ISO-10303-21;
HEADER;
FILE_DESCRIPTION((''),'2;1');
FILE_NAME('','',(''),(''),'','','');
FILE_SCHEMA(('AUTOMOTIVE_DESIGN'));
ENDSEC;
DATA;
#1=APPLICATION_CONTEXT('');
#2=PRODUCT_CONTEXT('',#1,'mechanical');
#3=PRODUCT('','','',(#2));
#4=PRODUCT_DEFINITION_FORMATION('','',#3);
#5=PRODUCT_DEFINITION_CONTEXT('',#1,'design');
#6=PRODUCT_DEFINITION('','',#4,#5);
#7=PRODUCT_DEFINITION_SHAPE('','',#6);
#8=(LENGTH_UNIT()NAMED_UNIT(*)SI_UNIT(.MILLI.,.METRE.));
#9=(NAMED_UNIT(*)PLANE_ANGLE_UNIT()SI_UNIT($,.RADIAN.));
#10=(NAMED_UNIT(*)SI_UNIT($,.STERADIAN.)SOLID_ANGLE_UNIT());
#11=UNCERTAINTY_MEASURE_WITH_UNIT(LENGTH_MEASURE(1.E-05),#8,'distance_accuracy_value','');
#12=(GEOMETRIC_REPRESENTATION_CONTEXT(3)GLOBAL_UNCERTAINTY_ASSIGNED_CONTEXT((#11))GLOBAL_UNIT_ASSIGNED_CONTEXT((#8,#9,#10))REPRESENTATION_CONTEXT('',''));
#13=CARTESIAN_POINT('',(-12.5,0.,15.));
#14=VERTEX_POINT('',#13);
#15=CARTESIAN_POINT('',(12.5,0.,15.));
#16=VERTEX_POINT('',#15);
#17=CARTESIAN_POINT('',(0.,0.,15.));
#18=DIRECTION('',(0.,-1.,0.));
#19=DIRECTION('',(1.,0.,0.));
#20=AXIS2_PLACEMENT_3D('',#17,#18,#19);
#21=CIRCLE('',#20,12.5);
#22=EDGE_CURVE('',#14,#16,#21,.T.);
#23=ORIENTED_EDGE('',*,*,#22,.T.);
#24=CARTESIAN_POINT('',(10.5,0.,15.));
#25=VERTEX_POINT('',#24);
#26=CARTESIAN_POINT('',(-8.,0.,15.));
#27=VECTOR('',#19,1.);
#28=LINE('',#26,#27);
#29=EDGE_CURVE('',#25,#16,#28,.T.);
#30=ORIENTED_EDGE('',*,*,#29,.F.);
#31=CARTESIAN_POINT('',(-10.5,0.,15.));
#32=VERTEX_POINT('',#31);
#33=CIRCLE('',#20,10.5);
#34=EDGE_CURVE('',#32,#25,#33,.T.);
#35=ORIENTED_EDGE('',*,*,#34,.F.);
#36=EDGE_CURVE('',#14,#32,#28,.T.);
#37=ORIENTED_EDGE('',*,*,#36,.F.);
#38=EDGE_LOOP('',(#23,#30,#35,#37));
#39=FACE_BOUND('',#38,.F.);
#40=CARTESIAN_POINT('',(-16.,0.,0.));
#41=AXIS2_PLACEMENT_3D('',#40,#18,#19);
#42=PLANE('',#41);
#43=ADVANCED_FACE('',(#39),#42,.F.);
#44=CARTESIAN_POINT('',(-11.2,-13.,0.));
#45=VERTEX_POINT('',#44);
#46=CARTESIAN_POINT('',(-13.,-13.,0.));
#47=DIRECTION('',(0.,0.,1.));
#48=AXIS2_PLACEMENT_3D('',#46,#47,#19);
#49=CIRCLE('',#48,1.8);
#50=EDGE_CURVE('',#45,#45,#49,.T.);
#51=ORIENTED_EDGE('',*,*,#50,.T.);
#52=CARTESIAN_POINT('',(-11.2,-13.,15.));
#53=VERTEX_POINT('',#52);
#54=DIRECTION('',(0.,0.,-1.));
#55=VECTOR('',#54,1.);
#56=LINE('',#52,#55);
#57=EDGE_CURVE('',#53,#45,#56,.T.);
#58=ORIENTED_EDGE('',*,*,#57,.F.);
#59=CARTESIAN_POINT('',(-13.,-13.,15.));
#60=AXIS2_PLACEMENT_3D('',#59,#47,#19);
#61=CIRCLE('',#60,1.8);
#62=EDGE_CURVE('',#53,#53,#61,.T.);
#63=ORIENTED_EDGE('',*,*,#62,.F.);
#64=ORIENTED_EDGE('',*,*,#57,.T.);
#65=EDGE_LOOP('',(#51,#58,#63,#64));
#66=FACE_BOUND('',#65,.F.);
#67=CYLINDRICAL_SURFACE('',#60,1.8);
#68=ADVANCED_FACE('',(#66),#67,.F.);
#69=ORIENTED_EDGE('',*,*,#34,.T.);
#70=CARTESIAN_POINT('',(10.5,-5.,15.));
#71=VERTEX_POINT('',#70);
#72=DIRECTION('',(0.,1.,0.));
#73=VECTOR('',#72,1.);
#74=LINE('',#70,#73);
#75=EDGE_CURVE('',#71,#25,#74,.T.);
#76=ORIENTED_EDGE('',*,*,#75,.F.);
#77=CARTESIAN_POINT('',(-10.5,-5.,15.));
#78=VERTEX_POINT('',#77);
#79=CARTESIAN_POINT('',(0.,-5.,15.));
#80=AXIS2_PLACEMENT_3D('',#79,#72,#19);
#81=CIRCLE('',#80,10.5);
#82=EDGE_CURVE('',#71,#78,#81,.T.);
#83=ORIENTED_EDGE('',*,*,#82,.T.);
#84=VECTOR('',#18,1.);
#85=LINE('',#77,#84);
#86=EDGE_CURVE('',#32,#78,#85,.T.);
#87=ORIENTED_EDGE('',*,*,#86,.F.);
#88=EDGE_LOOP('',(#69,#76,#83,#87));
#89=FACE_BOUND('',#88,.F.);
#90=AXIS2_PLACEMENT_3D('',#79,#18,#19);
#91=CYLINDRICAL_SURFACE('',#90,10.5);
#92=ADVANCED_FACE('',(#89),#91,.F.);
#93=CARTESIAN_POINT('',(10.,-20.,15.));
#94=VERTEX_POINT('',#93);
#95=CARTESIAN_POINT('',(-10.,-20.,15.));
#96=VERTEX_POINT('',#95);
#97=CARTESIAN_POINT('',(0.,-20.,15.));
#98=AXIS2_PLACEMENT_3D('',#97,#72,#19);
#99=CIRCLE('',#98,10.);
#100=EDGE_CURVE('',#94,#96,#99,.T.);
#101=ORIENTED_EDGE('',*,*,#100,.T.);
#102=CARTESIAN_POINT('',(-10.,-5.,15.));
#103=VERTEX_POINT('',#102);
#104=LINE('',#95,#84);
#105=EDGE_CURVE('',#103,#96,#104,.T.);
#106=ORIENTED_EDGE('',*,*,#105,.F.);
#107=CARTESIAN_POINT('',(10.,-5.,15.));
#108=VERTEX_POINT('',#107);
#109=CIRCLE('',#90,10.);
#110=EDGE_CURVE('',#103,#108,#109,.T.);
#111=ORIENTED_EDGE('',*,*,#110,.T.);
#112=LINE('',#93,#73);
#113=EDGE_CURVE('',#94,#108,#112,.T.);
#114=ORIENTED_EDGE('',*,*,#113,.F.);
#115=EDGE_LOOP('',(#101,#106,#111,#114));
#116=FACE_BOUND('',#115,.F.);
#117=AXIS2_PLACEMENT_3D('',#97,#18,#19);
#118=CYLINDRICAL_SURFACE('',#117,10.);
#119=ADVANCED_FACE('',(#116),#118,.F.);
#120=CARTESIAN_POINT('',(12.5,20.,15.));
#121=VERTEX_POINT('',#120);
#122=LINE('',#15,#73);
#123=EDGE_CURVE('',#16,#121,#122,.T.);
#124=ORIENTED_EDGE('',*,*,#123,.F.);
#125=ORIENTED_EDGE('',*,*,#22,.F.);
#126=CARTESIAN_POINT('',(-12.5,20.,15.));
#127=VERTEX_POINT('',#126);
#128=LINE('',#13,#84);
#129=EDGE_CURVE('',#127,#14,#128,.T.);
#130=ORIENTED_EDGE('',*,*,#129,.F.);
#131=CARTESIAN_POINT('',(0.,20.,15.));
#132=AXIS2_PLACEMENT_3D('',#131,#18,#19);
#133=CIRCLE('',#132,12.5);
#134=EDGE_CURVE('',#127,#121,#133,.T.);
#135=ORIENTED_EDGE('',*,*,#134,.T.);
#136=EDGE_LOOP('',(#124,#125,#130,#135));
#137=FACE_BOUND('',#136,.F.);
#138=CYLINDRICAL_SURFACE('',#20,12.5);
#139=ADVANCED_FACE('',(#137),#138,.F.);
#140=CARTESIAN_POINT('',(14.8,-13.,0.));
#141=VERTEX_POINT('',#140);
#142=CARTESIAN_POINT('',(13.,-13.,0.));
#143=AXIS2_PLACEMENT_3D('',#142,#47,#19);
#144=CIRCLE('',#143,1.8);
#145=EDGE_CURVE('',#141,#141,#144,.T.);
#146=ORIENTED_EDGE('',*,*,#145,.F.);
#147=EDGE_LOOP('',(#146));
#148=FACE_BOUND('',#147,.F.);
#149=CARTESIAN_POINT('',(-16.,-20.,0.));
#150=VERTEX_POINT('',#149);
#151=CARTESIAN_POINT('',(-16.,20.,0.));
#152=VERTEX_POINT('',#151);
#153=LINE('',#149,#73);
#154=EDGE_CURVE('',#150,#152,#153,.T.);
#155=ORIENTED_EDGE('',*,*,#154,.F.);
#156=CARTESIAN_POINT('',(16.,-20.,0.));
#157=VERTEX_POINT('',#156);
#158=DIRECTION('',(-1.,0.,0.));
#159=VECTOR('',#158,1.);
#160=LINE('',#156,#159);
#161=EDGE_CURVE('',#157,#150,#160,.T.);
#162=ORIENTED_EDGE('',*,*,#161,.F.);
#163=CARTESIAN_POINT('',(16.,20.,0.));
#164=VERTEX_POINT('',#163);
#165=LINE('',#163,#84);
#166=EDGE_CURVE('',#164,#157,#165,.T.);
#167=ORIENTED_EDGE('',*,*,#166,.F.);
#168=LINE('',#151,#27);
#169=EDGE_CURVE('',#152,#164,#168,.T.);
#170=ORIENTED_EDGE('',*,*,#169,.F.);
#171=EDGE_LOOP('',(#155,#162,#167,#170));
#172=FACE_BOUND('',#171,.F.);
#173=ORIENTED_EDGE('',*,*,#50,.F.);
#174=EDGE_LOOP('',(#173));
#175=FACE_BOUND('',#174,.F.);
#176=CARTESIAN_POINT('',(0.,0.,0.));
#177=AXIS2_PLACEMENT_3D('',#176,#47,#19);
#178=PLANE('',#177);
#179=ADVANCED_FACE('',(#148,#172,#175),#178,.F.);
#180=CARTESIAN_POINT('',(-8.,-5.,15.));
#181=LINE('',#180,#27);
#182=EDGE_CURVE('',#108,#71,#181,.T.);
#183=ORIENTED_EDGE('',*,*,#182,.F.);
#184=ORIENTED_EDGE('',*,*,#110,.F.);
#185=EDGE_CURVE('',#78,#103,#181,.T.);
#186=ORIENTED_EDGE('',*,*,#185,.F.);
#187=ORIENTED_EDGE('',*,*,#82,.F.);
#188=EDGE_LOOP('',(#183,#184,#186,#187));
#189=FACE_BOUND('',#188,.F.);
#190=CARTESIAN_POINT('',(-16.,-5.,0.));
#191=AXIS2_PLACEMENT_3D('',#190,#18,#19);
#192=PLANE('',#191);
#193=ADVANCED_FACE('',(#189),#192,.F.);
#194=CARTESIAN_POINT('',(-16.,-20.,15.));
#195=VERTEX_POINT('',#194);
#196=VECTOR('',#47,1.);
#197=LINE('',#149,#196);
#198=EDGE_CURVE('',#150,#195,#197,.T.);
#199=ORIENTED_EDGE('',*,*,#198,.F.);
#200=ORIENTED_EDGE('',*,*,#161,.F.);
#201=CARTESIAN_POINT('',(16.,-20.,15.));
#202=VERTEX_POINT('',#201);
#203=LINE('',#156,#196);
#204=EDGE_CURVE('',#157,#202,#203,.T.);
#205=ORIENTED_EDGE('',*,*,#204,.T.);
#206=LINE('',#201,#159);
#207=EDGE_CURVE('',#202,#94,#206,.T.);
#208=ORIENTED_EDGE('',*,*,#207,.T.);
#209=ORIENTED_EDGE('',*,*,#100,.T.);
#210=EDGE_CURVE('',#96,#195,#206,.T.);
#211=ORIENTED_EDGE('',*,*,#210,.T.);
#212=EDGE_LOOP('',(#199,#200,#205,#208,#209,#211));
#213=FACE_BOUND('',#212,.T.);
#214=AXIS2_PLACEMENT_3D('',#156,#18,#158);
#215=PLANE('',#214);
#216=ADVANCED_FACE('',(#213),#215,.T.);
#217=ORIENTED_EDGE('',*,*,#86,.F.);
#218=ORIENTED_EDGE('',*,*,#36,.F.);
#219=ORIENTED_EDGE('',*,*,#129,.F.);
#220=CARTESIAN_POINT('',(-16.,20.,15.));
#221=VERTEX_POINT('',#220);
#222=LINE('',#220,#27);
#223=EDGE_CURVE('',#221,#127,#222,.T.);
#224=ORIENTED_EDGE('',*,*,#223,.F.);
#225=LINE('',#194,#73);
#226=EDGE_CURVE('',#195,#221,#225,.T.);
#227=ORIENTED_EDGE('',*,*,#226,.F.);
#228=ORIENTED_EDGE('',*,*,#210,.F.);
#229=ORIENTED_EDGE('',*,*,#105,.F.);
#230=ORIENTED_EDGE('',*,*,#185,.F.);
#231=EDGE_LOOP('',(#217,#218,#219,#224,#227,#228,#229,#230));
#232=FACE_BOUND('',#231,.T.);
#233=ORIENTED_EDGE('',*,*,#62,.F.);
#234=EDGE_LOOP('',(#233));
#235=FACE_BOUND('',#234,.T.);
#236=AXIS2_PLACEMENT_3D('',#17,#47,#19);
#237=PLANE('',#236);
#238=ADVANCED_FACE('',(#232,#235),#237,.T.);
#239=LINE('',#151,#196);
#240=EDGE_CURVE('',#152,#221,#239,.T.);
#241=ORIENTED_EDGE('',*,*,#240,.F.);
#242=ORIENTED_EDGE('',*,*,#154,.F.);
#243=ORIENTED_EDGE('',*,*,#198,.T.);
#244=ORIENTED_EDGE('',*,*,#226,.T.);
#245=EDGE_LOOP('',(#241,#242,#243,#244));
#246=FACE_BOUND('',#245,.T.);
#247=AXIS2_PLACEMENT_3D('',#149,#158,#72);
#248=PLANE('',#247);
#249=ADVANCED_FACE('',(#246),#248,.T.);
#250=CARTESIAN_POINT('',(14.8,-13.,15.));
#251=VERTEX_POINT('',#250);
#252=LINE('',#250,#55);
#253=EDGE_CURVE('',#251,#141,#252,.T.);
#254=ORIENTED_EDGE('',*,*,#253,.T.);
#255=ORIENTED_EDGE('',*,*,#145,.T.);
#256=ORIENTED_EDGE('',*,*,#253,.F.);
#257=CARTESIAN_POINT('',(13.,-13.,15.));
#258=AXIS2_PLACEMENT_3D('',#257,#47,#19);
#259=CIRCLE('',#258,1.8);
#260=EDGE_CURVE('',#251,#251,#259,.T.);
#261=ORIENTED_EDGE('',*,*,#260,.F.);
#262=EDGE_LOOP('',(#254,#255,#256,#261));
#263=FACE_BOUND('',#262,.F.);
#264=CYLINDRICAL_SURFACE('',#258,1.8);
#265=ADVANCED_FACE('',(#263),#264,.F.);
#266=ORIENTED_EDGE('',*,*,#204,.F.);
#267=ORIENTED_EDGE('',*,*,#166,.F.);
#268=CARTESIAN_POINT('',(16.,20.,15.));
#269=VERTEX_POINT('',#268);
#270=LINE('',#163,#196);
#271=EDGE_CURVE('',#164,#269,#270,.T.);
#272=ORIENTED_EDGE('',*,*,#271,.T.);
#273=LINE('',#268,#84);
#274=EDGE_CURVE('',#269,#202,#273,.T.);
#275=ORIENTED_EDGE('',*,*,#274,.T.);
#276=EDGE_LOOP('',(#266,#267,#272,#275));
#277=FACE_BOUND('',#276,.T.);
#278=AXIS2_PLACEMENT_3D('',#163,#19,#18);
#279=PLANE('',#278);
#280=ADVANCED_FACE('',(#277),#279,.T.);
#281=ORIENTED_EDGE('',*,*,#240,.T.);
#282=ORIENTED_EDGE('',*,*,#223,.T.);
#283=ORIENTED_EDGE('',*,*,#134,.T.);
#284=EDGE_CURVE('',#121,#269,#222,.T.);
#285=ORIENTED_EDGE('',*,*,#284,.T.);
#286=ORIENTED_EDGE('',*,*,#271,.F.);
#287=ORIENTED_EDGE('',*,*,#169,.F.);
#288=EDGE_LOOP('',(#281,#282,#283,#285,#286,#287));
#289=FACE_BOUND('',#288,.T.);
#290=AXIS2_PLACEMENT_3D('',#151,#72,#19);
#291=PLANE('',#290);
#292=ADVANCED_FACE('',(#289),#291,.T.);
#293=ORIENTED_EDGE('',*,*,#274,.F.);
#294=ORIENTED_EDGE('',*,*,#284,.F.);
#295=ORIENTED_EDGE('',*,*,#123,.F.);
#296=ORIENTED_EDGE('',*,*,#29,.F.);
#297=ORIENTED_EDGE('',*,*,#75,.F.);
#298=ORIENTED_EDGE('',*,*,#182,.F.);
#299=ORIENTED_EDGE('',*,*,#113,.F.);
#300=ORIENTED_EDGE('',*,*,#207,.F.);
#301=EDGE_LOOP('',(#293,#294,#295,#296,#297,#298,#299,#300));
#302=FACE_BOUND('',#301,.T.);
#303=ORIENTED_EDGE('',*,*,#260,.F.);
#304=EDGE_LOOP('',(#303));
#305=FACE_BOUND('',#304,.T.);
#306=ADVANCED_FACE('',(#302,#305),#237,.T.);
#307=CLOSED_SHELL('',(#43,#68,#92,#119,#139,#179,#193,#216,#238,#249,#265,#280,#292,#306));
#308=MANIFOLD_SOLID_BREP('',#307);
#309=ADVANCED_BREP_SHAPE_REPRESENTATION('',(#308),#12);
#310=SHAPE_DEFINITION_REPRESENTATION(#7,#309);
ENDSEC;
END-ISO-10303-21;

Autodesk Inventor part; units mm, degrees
ref_plane "YZ Plane" through (0, 0, 0) normal (1, 0, 0) x (0, 1, 0)
ref_plane "XZ Plane" through (0, 0, 0) normal (0, 1, 0) x (-1, 0, 0)
ref_plane "XY Plane" through (0, 0, 0) normal (0, 0, 1) x (1, 0, 0)
sketch "Skizze1" plane through (0, 0, 0) normal (0, 0, 1) x (1, 0, 0)
  line L0 (-16, 20) -> (16, 20)
  line L1 (16, 20) -> (16, -20)
  line L2 (16, -20) -> (-16, -20)
  line L3 (-16, -20) -> (-16, 20)
  line L4 (-16, 20) -> (16, -20) construction
  line L5 (16, 20) -> (-16, -20) construction
  point P0 (0, 0)
  dimension "d0" = 32
  dimension "d1" = 40
extrude "Extrusion1" add sketch "Skizze1" along normal blind 15
sketch "Skizze2" plane through (-16, -20, 0) normal (0, -1, 0) x (1, 0, 0)
  line L0 (0, 15) -> (32, 15) projected
  line L1 (0, 0) -> (0, 15) projected
  line L2 (32, 0) -> (0, 0) projected
  line L3 (32, 0) -> (32, 15) projected
  line L4 (32, 15) -> (0, 15) projected
  circle A0 centre (16, 15) radius 10
  point P0 (16, 0)
  dimension "d4" = 20
extrude "Extrusion2" cut sketch "Skizze2" against normal blind 15 contours A0 L0 | L0 A0
sketch "Skizze3" plane through (-16, -5, 0) normal (0, -1, 0) x (1, 0, 0)
  line L0 (0, 0) -> (0, 15) projected
  line L1 (32, 0) -> (0, 0) projected
  line L2 (32, 0) -> (32, 15) projected
  line L3 (26, 15) -> (32, 15) projected
  line L4 (0, 15) -> (6, 15) projected
  line L5 (6, 15) -> (26, 15) projected
  circle A0 centre (16, 15) radius 10.5
  point P0 (16, 0)
  dimension "d7" = 21
extrude "Extrusion3" cut sketch "Skizze3" against normal blind 5 contours A0 L3 L5 L4 | L4 L5 L3 A0
sketch "Skizze4" plane through (-16, 0, 0) normal (0, -1, 0) x (1, 0, 0)
  line L0 (5.5, 15) -> (26.5, 15) projected
  circle A0 centre (16, 15) radius 12.5
  point P0 (16, 0)
  dimension "d10" = 25
extrude "Extrusion4" cut sketch "Skizze4" against normal through all
sketch "Skizze5" plane through (0, 0, 15) normal (0, 0, 1) x (1, 0, 0)
  line L0 (-16, 20) -> (-16, -20) projected
  line L1 (-16, -20) -> (-10, -20) projected
  line L2 (-10, -20) -> (-10, -5) projected
  line L3 (10, -5) -> (10, -20) projected
  line L4 (10, -20) -> (16, -20) projected
  line L5 (16, -20) -> (16, 20) projected
  circle A0 centre (-13, -13) radius 1.8
  circle A1 centre (13, -13) radius 1.8
  point P0 (0, 0)
  dimension "d13" = 3.6
  dimension "d14" = 3.6
  dimension "d15" = 7
  dimension "d16" = 7
  dimension "d17" = 3
  dimension "d18" = 3
extrude "Extrusion5" cut sketch "Skizze5" against normal through all
